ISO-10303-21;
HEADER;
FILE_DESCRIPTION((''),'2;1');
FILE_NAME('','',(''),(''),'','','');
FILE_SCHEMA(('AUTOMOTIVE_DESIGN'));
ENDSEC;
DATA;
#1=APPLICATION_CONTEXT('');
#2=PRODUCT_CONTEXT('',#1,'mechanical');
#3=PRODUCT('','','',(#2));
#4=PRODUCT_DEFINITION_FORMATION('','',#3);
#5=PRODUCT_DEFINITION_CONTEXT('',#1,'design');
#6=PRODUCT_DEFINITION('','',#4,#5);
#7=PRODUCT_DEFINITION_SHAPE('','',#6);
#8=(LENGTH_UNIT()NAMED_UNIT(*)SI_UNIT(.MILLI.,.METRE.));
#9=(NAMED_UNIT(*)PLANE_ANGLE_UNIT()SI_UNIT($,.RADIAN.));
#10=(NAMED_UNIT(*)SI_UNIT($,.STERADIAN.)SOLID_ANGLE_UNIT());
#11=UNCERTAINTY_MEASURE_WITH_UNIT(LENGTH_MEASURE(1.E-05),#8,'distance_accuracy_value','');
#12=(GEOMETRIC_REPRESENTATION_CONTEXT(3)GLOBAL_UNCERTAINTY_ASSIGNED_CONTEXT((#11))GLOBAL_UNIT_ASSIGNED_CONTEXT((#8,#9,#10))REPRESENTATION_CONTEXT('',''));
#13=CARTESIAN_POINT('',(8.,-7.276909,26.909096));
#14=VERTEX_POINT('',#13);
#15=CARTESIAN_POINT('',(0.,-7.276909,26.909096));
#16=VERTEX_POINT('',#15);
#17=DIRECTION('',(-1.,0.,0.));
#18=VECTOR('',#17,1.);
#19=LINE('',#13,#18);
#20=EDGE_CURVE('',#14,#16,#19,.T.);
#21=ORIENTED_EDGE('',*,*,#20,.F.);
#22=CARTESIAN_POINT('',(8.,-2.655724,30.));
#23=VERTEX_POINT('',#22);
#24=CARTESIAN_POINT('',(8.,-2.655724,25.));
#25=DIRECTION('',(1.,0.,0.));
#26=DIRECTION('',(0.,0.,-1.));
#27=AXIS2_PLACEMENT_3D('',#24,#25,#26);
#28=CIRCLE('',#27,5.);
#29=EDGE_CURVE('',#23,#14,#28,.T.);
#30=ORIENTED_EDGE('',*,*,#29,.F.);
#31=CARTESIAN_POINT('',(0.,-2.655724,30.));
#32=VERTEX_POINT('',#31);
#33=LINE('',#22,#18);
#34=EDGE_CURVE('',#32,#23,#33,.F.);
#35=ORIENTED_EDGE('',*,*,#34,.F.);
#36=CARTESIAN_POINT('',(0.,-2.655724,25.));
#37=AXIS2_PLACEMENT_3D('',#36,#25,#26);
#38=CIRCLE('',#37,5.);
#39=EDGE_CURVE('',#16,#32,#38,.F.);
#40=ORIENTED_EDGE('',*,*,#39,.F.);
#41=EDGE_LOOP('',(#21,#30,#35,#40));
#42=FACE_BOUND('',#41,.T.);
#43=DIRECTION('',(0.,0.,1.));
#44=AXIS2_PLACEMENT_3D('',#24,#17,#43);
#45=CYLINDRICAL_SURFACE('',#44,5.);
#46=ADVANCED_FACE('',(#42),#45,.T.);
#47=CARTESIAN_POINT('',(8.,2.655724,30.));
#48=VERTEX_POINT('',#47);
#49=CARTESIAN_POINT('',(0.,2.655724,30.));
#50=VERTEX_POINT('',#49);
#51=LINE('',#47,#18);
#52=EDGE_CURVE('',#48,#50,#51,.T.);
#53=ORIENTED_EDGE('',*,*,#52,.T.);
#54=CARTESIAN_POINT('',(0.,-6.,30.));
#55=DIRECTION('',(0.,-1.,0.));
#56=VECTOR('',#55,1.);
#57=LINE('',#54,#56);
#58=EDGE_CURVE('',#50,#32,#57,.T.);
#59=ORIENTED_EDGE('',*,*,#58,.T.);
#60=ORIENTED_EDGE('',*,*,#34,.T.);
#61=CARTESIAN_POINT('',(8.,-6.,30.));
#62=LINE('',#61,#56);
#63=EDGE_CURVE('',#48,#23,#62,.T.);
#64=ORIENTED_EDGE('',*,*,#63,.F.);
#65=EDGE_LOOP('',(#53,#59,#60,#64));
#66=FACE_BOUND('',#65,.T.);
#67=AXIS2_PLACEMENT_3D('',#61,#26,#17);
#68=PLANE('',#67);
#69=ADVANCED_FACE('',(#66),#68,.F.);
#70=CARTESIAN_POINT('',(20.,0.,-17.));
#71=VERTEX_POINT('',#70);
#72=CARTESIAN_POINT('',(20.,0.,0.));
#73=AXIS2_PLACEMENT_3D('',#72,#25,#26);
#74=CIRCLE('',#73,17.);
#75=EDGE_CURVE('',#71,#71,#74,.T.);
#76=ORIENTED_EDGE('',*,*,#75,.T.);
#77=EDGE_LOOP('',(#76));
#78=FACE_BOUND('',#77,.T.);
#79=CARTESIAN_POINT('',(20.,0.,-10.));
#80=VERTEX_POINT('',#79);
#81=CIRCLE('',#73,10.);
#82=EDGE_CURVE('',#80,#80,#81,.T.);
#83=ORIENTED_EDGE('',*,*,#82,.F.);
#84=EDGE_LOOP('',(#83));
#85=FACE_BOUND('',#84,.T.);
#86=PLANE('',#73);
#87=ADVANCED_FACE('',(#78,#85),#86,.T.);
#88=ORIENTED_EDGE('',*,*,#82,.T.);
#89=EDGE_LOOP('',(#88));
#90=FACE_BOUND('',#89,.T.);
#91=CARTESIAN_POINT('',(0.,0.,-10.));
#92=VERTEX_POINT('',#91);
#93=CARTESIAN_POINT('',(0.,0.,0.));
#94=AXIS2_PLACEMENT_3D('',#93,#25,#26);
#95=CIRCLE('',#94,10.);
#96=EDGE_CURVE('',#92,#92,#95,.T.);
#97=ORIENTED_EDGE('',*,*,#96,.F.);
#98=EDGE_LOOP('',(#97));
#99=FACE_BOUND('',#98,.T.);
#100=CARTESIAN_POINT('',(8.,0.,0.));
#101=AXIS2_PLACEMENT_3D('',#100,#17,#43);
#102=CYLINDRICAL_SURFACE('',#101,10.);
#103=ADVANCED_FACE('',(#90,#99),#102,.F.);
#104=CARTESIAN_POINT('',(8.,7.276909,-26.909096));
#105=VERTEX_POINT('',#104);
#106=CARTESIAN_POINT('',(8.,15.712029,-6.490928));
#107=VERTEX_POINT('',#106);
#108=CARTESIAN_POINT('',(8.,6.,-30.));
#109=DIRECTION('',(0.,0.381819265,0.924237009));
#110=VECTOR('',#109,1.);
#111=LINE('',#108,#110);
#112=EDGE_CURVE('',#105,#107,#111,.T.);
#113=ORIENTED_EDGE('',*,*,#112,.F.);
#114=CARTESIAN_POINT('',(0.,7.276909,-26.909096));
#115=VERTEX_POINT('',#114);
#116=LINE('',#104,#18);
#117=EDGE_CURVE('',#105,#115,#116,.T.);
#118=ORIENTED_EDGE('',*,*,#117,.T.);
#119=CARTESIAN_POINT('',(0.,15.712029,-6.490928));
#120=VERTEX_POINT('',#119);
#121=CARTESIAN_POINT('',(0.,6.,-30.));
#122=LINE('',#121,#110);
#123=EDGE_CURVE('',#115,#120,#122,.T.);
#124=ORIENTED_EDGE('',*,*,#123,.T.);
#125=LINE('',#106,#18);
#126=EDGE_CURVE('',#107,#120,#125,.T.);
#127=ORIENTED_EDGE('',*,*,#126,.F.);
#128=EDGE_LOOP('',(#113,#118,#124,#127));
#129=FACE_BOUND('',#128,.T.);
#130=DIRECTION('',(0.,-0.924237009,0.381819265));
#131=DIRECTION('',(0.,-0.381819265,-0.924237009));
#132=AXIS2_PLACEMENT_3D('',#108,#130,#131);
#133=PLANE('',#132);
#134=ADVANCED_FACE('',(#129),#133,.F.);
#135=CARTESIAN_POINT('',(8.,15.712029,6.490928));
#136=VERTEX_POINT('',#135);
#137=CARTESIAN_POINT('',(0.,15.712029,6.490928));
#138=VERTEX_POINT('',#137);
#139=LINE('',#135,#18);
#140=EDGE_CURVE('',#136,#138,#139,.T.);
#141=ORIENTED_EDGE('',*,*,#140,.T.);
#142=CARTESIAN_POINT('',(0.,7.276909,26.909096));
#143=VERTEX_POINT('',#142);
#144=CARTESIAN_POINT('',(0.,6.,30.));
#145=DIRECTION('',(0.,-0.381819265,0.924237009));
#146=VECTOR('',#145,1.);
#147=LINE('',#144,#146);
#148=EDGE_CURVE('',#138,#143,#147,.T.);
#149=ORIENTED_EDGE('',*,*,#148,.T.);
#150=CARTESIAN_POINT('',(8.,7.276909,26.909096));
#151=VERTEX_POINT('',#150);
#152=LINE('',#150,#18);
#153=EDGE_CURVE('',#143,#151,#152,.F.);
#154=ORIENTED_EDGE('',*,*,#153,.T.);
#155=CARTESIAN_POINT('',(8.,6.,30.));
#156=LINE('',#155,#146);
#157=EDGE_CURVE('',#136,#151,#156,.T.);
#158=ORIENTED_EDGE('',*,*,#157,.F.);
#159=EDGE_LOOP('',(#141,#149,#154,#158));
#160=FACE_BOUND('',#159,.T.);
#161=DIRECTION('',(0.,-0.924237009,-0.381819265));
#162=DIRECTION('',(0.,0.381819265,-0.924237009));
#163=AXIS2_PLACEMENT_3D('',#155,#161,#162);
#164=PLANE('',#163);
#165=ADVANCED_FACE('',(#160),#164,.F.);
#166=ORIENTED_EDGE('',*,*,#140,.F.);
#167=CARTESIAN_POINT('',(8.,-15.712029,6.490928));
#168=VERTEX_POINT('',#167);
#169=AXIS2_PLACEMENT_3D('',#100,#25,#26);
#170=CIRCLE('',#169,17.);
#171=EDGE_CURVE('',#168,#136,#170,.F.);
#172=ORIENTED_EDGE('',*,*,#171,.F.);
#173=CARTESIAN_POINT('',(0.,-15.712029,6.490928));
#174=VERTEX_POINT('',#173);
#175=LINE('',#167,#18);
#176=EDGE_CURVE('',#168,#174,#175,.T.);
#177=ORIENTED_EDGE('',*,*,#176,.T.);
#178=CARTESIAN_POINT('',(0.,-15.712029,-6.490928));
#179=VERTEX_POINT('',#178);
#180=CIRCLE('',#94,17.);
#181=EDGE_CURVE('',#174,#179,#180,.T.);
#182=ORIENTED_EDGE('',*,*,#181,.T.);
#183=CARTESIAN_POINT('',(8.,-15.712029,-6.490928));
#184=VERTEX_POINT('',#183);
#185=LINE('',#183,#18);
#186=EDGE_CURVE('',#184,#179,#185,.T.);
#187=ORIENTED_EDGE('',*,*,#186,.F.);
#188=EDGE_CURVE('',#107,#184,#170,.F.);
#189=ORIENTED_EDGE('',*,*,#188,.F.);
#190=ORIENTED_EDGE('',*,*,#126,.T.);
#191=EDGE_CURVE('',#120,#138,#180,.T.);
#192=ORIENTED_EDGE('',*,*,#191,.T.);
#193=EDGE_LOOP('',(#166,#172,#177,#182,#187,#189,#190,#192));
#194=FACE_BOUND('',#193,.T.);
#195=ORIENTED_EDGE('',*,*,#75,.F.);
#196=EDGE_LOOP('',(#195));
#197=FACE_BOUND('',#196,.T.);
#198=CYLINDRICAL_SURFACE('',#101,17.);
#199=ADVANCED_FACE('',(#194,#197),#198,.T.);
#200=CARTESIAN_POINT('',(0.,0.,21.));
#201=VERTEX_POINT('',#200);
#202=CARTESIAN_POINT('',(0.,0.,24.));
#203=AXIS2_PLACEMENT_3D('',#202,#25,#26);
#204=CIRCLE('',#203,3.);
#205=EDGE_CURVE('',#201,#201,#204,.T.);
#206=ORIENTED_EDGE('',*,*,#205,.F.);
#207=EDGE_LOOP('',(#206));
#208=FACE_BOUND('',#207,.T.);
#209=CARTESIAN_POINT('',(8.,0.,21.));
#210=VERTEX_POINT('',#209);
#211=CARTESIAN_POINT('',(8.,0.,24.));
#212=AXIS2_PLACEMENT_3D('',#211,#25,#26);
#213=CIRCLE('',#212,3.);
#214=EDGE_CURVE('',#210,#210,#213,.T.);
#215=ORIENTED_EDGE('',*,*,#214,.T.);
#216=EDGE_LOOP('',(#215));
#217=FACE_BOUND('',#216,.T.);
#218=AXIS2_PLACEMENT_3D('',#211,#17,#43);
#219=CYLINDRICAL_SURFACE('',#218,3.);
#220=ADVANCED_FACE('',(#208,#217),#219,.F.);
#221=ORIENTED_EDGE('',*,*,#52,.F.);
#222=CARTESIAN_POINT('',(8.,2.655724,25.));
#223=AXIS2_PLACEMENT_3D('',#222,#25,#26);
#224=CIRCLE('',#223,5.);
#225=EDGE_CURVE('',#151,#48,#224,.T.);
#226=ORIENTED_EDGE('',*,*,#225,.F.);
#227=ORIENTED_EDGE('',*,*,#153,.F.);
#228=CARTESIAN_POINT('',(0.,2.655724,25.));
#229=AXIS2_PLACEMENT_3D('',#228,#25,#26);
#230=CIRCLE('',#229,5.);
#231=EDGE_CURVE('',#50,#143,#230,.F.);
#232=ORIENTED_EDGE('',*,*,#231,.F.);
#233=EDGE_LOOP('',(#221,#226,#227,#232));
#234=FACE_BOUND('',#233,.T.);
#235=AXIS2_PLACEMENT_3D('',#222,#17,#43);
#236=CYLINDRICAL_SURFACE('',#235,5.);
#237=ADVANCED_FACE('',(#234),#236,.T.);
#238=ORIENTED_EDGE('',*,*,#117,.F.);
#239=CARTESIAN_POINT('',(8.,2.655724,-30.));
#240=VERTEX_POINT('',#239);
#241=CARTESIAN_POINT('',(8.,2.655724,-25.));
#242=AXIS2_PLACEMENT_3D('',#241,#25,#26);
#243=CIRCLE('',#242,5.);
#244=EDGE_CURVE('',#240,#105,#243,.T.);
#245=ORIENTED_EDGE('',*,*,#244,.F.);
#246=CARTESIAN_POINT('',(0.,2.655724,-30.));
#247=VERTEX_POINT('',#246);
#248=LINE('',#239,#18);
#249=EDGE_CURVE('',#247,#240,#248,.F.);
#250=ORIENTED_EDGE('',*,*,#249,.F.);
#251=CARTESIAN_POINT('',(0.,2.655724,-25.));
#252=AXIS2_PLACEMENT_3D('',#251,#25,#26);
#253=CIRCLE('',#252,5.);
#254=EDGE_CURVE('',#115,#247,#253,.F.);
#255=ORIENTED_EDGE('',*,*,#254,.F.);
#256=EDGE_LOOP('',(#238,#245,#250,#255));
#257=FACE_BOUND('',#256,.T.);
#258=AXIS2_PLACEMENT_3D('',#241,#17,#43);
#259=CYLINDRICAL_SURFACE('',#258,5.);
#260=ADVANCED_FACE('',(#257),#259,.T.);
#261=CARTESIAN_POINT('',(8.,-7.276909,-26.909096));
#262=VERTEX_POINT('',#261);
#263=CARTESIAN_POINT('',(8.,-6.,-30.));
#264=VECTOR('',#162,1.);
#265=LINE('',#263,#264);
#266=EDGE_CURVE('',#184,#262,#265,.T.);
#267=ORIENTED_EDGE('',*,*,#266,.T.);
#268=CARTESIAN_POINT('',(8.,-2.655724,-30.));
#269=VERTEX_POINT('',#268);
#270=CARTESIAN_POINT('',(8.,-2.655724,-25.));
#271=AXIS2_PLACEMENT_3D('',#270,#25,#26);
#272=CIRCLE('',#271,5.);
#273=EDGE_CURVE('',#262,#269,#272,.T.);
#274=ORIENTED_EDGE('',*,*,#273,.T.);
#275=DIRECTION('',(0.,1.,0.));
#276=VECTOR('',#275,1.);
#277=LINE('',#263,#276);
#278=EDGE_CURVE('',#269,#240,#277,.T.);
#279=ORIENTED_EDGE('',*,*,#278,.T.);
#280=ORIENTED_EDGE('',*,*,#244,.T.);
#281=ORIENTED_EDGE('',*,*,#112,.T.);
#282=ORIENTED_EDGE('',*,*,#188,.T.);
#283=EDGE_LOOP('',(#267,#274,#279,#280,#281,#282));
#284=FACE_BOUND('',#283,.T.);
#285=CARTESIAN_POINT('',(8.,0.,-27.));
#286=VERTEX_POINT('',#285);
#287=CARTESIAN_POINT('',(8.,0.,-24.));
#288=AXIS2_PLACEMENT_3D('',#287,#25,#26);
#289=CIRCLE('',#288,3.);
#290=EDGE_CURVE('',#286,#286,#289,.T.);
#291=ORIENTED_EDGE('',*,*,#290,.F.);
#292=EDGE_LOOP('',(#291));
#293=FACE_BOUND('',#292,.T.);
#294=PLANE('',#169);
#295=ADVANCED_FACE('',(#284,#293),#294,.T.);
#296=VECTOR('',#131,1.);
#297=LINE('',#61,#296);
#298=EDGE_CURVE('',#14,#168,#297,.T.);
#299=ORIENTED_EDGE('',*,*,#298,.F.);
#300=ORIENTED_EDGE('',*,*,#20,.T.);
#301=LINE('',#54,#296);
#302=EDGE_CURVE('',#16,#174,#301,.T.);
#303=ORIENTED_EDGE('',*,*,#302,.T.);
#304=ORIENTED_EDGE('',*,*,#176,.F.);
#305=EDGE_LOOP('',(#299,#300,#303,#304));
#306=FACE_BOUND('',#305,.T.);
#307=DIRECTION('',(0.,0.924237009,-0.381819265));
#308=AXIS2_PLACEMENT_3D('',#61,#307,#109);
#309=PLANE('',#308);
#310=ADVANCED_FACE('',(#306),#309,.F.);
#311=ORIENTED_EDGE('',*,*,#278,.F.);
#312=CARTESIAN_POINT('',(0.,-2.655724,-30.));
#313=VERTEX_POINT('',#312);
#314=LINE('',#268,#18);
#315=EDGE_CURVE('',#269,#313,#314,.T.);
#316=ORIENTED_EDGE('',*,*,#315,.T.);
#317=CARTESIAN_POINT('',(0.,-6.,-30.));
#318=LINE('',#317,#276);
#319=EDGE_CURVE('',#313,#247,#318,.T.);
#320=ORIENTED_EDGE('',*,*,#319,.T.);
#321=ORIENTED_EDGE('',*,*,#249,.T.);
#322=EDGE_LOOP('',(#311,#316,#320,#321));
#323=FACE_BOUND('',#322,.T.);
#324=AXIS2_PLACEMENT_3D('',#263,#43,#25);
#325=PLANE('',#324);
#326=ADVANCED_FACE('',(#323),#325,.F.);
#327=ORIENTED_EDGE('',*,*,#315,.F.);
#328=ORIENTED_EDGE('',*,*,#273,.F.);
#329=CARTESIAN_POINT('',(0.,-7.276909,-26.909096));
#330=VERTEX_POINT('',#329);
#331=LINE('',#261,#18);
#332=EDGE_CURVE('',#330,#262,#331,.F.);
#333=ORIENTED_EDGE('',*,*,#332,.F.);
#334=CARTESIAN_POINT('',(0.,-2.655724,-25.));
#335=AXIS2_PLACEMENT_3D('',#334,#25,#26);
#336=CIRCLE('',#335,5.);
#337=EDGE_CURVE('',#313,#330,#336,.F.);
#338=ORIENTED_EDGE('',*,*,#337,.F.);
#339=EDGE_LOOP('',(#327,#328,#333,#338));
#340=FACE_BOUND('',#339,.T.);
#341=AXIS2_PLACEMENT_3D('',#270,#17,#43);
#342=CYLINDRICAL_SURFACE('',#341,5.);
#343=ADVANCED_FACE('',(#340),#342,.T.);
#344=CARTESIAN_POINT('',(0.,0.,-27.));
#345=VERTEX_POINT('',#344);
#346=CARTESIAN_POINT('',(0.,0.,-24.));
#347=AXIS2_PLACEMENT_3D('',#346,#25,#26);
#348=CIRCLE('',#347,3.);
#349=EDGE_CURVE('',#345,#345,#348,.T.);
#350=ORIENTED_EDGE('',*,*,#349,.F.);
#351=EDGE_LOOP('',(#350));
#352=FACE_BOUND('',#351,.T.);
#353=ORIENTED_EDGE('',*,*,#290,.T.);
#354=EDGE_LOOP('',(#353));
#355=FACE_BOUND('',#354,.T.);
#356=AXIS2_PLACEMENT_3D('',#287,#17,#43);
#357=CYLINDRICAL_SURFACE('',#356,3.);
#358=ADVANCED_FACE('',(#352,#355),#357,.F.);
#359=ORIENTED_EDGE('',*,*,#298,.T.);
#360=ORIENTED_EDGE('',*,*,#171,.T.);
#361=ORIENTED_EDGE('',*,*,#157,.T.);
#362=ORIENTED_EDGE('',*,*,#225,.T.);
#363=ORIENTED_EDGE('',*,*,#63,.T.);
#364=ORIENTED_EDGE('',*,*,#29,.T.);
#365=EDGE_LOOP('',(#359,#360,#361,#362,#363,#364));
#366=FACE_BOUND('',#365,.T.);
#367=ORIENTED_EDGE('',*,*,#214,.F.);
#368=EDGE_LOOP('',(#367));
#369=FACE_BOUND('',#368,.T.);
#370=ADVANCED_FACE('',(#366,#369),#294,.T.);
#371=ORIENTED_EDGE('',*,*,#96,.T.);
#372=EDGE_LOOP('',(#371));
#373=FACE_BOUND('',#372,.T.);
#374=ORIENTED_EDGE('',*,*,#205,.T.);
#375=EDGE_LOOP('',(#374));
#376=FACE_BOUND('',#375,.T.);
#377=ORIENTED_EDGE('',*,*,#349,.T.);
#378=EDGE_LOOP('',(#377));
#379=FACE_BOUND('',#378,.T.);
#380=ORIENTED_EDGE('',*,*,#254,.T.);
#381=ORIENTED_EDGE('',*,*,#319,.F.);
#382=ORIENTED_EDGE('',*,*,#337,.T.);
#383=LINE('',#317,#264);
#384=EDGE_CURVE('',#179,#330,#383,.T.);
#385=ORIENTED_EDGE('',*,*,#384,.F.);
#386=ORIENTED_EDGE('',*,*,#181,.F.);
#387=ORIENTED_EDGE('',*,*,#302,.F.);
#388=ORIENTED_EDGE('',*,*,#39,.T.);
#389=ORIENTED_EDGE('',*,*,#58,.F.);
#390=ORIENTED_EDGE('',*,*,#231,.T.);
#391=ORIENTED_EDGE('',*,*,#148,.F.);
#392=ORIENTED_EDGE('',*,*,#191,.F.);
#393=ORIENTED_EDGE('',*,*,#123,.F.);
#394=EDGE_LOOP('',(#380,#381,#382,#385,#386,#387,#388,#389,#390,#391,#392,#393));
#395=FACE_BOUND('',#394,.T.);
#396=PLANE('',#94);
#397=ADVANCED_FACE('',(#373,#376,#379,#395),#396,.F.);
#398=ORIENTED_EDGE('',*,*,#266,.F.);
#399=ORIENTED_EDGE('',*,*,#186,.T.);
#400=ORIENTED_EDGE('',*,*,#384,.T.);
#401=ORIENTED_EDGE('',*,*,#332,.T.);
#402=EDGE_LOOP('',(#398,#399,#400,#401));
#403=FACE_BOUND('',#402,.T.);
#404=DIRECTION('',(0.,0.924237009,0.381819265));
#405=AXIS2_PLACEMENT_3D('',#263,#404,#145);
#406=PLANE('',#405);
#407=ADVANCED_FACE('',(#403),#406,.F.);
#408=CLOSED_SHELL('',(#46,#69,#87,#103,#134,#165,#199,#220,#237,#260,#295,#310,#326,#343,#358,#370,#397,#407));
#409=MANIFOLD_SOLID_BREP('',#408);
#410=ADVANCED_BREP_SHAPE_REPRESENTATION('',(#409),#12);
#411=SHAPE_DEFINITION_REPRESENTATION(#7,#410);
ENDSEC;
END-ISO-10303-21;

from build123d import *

# Parameters (mm, degrees)
SKETCH1_R           = 10
SKETCH1_R_2         = 3
BOSS_EXTRUDE1_DEPTH = 8
SKETCH3_R           = 17
SKETCH3_R_2         = 10
BOSS_EXTRUDE2_DEPTH = 20
FILLET1_R           = 5


with BuildPart() as part:
    # Sketch1 → Boss-Extrude1 (new body)
    with BuildSketch(Plane(origin=(0, 0, 0), x_dir=(0, 0, -1), z_dir=(1, 0, 0))):
        with BuildLine():
            Line((30, -6), (30, 6))
            Line((30, 6), (6.490927502, 15.712029155))
            ThreePointArc((6.490927502, 15.712029155), (0, 17), (-6.490927502, 15.712029155))
            Line((-6.490927502, 15.712029155), (-30, 6))
            Line((-30, 6), (-30, -6))
            Line((-30, -6), (-6.490927502, -15.712029155))
            ThreePointArc((-6.490927502, -15.712029155), (0, -17), (6.490927502, -15.712029155))
            Line((6.490927502, -15.712029155), (30, -6))
        make_face()
        Circle(SKETCH1_R, mode=Mode.SUBTRACT)
        with Locations((-24, 0)):
            Circle(SKETCH1_R_2, mode=Mode.SUBTRACT)
        with Locations((24, 0)):
            Circle(SKETCH1_R_2, mode=Mode.SUBTRACT)
    extrude(amount=BOSS_EXTRUDE1_DEPTH)

    # Sketch3 → Boss-Extrude2 (add)
    with BuildSketch(Plane(origin=(0, 0, 0), x_dir=(0, 0, -1), z_dir=(1, 0, 0))):
        Circle(SKETCH3_R)
        Circle(SKETCH3_R_2, mode=Mode.SUBTRACT)
    extrude(amount=BOSS_EXTRUDE2_DEPTH)

    # Fillet1
    fillet1_edges = [part.edges().sort_by_distance(p)[0] for p in [
        (4, 6, -30),
        (4, -6, -30),
        (4, -6, 30),
        (4, 6, 30),
    ]]
    fillet(fillet1_edges, radius=FILLET1_R)


solid = part.part
